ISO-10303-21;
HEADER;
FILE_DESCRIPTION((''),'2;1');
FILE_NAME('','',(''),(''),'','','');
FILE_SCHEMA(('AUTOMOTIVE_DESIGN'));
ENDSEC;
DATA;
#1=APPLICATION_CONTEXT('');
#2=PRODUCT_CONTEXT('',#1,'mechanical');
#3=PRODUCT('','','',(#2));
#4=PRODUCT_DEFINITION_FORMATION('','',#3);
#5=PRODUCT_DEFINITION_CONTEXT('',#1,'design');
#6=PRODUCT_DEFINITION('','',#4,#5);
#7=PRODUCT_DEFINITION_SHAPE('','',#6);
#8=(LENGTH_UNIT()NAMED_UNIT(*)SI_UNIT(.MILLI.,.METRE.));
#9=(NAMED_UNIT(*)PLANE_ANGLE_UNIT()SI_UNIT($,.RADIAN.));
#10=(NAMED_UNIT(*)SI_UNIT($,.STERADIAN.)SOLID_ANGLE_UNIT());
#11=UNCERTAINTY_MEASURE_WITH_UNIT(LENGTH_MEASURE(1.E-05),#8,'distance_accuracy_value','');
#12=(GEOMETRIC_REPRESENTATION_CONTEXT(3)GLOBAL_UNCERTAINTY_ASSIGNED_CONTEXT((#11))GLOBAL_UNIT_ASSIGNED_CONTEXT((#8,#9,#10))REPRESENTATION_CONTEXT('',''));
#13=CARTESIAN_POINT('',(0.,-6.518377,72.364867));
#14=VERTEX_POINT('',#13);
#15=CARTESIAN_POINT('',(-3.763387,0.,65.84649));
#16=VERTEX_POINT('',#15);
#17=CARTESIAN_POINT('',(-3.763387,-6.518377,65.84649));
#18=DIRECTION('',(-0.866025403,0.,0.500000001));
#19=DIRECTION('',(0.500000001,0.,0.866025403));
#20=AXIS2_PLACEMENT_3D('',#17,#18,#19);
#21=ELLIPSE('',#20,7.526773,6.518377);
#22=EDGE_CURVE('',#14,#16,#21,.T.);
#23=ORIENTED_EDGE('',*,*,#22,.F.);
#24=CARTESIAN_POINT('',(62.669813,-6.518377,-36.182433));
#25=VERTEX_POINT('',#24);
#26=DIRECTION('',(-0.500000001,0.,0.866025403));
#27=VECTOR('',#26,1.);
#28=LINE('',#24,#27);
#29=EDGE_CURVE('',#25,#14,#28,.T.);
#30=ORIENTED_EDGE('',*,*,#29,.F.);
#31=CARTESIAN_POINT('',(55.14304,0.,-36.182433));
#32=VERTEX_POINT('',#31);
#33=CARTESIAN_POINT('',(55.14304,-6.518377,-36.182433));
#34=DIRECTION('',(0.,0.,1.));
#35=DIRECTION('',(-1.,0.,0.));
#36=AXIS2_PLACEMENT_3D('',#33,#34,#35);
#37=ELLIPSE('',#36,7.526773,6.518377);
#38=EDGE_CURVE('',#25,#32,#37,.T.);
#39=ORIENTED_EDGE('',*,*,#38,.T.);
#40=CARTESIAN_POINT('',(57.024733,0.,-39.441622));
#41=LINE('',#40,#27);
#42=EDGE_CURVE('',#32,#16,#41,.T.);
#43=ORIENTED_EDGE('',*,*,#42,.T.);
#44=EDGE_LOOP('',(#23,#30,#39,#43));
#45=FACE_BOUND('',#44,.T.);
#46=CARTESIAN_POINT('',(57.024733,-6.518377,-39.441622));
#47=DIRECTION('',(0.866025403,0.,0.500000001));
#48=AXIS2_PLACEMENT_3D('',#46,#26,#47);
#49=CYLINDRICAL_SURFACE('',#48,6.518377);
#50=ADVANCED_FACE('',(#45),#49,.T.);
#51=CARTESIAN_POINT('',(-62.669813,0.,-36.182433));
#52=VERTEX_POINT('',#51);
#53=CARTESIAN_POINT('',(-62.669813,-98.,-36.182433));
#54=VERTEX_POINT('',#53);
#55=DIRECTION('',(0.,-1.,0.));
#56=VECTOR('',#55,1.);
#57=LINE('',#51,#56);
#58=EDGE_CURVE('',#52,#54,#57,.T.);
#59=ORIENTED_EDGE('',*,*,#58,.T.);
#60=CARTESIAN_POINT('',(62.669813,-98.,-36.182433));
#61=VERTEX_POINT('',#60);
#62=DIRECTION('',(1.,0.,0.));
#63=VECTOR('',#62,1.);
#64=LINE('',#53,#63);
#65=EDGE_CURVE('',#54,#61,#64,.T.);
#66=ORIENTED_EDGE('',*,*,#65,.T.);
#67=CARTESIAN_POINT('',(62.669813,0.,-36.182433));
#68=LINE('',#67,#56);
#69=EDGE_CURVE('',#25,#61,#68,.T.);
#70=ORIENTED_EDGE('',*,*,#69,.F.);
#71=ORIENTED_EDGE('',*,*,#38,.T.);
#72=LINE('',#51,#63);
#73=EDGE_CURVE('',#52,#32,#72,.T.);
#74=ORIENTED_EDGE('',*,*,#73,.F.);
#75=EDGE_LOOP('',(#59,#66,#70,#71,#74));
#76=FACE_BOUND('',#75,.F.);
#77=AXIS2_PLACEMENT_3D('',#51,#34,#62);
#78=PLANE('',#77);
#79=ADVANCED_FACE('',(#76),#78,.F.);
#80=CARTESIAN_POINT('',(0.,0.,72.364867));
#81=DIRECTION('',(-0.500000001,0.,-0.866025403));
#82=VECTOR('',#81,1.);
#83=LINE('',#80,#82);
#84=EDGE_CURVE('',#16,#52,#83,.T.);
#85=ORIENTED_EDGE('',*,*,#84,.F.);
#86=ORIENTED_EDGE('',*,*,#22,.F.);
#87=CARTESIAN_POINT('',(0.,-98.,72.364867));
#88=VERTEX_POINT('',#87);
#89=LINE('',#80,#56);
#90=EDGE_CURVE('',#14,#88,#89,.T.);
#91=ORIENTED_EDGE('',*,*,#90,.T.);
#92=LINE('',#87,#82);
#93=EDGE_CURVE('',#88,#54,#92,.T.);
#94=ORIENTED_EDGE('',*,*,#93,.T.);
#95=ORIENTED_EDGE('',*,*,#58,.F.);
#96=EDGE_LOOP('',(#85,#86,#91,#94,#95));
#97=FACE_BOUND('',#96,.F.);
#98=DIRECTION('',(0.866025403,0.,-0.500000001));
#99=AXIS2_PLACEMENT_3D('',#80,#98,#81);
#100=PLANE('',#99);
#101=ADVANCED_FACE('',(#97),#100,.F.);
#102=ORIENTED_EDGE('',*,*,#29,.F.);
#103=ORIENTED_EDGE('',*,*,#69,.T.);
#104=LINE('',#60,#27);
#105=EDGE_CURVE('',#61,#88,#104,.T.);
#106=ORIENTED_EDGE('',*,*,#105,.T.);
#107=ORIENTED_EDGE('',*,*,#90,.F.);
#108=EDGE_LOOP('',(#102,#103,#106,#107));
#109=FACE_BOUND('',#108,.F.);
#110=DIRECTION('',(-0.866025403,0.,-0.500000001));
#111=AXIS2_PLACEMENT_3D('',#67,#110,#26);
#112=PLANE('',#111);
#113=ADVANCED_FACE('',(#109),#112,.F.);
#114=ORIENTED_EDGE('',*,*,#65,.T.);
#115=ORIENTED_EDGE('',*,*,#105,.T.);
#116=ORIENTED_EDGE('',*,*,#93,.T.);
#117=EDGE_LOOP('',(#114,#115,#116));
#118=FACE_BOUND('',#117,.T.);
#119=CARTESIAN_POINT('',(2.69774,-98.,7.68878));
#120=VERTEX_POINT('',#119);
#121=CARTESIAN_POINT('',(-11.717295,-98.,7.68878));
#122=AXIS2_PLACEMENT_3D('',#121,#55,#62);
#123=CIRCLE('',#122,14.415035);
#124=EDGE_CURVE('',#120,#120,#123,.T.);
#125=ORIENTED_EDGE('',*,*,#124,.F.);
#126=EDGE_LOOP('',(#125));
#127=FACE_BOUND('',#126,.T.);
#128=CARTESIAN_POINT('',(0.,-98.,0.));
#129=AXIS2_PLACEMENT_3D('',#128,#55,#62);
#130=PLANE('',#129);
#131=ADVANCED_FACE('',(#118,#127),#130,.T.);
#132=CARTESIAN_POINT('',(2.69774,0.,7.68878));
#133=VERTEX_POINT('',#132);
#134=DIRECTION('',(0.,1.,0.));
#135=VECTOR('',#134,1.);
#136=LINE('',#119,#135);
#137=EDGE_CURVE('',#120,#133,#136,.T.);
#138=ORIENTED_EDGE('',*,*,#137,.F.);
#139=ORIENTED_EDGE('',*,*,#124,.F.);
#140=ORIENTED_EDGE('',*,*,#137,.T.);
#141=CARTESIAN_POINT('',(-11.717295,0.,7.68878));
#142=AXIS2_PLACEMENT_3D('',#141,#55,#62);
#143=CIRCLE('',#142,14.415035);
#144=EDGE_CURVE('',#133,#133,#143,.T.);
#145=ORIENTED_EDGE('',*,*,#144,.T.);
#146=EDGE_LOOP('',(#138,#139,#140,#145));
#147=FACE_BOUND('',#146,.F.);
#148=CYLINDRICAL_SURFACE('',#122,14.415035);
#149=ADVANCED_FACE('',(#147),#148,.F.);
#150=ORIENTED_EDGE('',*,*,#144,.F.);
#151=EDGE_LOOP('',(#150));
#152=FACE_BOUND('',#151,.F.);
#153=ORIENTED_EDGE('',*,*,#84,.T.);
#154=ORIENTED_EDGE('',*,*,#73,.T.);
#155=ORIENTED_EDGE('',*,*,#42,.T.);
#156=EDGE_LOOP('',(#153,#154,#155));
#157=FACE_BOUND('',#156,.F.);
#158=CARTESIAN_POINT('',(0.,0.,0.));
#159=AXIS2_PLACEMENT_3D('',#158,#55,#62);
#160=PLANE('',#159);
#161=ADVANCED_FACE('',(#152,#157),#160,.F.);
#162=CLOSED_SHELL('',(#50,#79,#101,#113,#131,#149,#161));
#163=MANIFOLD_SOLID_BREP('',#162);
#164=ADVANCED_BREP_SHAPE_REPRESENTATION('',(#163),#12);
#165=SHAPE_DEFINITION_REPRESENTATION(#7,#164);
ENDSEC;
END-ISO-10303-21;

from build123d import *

# Parameters (mm, degrees)
F1_DEPTH = 98
F2_R     = 6.518377
F3_R     = 14.415035
F4_DEPTH = 98.001


with BuildPart() as f1:
    # F0 (on Front) → F1 (new body)
    with BuildSketch(Plane.XZ):
        Polygon((-62.669813, -36.182433), (62.669813, -36.182433), (0, 72.364867), align=None)
    extrude(amount=F1_DEPTH)

    # F2
    f2_edges = [f1.edges().sort_by_distance(p)[0] for p in [
        (31.334906, 0, 18.091217),
    ]]
    fillet(f2_edges, radius=F2_R)

    # F3 (on face) → F4 (cut, through all)
    with BuildSketch(Plane.XZ.offset(98)):
        with Locations((-11.717295, 7.68878)):
            Circle(F3_R)
    extrude(amount=-F4_DEPTH, mode=Mode.SUBTRACT)


solid = f1.part
